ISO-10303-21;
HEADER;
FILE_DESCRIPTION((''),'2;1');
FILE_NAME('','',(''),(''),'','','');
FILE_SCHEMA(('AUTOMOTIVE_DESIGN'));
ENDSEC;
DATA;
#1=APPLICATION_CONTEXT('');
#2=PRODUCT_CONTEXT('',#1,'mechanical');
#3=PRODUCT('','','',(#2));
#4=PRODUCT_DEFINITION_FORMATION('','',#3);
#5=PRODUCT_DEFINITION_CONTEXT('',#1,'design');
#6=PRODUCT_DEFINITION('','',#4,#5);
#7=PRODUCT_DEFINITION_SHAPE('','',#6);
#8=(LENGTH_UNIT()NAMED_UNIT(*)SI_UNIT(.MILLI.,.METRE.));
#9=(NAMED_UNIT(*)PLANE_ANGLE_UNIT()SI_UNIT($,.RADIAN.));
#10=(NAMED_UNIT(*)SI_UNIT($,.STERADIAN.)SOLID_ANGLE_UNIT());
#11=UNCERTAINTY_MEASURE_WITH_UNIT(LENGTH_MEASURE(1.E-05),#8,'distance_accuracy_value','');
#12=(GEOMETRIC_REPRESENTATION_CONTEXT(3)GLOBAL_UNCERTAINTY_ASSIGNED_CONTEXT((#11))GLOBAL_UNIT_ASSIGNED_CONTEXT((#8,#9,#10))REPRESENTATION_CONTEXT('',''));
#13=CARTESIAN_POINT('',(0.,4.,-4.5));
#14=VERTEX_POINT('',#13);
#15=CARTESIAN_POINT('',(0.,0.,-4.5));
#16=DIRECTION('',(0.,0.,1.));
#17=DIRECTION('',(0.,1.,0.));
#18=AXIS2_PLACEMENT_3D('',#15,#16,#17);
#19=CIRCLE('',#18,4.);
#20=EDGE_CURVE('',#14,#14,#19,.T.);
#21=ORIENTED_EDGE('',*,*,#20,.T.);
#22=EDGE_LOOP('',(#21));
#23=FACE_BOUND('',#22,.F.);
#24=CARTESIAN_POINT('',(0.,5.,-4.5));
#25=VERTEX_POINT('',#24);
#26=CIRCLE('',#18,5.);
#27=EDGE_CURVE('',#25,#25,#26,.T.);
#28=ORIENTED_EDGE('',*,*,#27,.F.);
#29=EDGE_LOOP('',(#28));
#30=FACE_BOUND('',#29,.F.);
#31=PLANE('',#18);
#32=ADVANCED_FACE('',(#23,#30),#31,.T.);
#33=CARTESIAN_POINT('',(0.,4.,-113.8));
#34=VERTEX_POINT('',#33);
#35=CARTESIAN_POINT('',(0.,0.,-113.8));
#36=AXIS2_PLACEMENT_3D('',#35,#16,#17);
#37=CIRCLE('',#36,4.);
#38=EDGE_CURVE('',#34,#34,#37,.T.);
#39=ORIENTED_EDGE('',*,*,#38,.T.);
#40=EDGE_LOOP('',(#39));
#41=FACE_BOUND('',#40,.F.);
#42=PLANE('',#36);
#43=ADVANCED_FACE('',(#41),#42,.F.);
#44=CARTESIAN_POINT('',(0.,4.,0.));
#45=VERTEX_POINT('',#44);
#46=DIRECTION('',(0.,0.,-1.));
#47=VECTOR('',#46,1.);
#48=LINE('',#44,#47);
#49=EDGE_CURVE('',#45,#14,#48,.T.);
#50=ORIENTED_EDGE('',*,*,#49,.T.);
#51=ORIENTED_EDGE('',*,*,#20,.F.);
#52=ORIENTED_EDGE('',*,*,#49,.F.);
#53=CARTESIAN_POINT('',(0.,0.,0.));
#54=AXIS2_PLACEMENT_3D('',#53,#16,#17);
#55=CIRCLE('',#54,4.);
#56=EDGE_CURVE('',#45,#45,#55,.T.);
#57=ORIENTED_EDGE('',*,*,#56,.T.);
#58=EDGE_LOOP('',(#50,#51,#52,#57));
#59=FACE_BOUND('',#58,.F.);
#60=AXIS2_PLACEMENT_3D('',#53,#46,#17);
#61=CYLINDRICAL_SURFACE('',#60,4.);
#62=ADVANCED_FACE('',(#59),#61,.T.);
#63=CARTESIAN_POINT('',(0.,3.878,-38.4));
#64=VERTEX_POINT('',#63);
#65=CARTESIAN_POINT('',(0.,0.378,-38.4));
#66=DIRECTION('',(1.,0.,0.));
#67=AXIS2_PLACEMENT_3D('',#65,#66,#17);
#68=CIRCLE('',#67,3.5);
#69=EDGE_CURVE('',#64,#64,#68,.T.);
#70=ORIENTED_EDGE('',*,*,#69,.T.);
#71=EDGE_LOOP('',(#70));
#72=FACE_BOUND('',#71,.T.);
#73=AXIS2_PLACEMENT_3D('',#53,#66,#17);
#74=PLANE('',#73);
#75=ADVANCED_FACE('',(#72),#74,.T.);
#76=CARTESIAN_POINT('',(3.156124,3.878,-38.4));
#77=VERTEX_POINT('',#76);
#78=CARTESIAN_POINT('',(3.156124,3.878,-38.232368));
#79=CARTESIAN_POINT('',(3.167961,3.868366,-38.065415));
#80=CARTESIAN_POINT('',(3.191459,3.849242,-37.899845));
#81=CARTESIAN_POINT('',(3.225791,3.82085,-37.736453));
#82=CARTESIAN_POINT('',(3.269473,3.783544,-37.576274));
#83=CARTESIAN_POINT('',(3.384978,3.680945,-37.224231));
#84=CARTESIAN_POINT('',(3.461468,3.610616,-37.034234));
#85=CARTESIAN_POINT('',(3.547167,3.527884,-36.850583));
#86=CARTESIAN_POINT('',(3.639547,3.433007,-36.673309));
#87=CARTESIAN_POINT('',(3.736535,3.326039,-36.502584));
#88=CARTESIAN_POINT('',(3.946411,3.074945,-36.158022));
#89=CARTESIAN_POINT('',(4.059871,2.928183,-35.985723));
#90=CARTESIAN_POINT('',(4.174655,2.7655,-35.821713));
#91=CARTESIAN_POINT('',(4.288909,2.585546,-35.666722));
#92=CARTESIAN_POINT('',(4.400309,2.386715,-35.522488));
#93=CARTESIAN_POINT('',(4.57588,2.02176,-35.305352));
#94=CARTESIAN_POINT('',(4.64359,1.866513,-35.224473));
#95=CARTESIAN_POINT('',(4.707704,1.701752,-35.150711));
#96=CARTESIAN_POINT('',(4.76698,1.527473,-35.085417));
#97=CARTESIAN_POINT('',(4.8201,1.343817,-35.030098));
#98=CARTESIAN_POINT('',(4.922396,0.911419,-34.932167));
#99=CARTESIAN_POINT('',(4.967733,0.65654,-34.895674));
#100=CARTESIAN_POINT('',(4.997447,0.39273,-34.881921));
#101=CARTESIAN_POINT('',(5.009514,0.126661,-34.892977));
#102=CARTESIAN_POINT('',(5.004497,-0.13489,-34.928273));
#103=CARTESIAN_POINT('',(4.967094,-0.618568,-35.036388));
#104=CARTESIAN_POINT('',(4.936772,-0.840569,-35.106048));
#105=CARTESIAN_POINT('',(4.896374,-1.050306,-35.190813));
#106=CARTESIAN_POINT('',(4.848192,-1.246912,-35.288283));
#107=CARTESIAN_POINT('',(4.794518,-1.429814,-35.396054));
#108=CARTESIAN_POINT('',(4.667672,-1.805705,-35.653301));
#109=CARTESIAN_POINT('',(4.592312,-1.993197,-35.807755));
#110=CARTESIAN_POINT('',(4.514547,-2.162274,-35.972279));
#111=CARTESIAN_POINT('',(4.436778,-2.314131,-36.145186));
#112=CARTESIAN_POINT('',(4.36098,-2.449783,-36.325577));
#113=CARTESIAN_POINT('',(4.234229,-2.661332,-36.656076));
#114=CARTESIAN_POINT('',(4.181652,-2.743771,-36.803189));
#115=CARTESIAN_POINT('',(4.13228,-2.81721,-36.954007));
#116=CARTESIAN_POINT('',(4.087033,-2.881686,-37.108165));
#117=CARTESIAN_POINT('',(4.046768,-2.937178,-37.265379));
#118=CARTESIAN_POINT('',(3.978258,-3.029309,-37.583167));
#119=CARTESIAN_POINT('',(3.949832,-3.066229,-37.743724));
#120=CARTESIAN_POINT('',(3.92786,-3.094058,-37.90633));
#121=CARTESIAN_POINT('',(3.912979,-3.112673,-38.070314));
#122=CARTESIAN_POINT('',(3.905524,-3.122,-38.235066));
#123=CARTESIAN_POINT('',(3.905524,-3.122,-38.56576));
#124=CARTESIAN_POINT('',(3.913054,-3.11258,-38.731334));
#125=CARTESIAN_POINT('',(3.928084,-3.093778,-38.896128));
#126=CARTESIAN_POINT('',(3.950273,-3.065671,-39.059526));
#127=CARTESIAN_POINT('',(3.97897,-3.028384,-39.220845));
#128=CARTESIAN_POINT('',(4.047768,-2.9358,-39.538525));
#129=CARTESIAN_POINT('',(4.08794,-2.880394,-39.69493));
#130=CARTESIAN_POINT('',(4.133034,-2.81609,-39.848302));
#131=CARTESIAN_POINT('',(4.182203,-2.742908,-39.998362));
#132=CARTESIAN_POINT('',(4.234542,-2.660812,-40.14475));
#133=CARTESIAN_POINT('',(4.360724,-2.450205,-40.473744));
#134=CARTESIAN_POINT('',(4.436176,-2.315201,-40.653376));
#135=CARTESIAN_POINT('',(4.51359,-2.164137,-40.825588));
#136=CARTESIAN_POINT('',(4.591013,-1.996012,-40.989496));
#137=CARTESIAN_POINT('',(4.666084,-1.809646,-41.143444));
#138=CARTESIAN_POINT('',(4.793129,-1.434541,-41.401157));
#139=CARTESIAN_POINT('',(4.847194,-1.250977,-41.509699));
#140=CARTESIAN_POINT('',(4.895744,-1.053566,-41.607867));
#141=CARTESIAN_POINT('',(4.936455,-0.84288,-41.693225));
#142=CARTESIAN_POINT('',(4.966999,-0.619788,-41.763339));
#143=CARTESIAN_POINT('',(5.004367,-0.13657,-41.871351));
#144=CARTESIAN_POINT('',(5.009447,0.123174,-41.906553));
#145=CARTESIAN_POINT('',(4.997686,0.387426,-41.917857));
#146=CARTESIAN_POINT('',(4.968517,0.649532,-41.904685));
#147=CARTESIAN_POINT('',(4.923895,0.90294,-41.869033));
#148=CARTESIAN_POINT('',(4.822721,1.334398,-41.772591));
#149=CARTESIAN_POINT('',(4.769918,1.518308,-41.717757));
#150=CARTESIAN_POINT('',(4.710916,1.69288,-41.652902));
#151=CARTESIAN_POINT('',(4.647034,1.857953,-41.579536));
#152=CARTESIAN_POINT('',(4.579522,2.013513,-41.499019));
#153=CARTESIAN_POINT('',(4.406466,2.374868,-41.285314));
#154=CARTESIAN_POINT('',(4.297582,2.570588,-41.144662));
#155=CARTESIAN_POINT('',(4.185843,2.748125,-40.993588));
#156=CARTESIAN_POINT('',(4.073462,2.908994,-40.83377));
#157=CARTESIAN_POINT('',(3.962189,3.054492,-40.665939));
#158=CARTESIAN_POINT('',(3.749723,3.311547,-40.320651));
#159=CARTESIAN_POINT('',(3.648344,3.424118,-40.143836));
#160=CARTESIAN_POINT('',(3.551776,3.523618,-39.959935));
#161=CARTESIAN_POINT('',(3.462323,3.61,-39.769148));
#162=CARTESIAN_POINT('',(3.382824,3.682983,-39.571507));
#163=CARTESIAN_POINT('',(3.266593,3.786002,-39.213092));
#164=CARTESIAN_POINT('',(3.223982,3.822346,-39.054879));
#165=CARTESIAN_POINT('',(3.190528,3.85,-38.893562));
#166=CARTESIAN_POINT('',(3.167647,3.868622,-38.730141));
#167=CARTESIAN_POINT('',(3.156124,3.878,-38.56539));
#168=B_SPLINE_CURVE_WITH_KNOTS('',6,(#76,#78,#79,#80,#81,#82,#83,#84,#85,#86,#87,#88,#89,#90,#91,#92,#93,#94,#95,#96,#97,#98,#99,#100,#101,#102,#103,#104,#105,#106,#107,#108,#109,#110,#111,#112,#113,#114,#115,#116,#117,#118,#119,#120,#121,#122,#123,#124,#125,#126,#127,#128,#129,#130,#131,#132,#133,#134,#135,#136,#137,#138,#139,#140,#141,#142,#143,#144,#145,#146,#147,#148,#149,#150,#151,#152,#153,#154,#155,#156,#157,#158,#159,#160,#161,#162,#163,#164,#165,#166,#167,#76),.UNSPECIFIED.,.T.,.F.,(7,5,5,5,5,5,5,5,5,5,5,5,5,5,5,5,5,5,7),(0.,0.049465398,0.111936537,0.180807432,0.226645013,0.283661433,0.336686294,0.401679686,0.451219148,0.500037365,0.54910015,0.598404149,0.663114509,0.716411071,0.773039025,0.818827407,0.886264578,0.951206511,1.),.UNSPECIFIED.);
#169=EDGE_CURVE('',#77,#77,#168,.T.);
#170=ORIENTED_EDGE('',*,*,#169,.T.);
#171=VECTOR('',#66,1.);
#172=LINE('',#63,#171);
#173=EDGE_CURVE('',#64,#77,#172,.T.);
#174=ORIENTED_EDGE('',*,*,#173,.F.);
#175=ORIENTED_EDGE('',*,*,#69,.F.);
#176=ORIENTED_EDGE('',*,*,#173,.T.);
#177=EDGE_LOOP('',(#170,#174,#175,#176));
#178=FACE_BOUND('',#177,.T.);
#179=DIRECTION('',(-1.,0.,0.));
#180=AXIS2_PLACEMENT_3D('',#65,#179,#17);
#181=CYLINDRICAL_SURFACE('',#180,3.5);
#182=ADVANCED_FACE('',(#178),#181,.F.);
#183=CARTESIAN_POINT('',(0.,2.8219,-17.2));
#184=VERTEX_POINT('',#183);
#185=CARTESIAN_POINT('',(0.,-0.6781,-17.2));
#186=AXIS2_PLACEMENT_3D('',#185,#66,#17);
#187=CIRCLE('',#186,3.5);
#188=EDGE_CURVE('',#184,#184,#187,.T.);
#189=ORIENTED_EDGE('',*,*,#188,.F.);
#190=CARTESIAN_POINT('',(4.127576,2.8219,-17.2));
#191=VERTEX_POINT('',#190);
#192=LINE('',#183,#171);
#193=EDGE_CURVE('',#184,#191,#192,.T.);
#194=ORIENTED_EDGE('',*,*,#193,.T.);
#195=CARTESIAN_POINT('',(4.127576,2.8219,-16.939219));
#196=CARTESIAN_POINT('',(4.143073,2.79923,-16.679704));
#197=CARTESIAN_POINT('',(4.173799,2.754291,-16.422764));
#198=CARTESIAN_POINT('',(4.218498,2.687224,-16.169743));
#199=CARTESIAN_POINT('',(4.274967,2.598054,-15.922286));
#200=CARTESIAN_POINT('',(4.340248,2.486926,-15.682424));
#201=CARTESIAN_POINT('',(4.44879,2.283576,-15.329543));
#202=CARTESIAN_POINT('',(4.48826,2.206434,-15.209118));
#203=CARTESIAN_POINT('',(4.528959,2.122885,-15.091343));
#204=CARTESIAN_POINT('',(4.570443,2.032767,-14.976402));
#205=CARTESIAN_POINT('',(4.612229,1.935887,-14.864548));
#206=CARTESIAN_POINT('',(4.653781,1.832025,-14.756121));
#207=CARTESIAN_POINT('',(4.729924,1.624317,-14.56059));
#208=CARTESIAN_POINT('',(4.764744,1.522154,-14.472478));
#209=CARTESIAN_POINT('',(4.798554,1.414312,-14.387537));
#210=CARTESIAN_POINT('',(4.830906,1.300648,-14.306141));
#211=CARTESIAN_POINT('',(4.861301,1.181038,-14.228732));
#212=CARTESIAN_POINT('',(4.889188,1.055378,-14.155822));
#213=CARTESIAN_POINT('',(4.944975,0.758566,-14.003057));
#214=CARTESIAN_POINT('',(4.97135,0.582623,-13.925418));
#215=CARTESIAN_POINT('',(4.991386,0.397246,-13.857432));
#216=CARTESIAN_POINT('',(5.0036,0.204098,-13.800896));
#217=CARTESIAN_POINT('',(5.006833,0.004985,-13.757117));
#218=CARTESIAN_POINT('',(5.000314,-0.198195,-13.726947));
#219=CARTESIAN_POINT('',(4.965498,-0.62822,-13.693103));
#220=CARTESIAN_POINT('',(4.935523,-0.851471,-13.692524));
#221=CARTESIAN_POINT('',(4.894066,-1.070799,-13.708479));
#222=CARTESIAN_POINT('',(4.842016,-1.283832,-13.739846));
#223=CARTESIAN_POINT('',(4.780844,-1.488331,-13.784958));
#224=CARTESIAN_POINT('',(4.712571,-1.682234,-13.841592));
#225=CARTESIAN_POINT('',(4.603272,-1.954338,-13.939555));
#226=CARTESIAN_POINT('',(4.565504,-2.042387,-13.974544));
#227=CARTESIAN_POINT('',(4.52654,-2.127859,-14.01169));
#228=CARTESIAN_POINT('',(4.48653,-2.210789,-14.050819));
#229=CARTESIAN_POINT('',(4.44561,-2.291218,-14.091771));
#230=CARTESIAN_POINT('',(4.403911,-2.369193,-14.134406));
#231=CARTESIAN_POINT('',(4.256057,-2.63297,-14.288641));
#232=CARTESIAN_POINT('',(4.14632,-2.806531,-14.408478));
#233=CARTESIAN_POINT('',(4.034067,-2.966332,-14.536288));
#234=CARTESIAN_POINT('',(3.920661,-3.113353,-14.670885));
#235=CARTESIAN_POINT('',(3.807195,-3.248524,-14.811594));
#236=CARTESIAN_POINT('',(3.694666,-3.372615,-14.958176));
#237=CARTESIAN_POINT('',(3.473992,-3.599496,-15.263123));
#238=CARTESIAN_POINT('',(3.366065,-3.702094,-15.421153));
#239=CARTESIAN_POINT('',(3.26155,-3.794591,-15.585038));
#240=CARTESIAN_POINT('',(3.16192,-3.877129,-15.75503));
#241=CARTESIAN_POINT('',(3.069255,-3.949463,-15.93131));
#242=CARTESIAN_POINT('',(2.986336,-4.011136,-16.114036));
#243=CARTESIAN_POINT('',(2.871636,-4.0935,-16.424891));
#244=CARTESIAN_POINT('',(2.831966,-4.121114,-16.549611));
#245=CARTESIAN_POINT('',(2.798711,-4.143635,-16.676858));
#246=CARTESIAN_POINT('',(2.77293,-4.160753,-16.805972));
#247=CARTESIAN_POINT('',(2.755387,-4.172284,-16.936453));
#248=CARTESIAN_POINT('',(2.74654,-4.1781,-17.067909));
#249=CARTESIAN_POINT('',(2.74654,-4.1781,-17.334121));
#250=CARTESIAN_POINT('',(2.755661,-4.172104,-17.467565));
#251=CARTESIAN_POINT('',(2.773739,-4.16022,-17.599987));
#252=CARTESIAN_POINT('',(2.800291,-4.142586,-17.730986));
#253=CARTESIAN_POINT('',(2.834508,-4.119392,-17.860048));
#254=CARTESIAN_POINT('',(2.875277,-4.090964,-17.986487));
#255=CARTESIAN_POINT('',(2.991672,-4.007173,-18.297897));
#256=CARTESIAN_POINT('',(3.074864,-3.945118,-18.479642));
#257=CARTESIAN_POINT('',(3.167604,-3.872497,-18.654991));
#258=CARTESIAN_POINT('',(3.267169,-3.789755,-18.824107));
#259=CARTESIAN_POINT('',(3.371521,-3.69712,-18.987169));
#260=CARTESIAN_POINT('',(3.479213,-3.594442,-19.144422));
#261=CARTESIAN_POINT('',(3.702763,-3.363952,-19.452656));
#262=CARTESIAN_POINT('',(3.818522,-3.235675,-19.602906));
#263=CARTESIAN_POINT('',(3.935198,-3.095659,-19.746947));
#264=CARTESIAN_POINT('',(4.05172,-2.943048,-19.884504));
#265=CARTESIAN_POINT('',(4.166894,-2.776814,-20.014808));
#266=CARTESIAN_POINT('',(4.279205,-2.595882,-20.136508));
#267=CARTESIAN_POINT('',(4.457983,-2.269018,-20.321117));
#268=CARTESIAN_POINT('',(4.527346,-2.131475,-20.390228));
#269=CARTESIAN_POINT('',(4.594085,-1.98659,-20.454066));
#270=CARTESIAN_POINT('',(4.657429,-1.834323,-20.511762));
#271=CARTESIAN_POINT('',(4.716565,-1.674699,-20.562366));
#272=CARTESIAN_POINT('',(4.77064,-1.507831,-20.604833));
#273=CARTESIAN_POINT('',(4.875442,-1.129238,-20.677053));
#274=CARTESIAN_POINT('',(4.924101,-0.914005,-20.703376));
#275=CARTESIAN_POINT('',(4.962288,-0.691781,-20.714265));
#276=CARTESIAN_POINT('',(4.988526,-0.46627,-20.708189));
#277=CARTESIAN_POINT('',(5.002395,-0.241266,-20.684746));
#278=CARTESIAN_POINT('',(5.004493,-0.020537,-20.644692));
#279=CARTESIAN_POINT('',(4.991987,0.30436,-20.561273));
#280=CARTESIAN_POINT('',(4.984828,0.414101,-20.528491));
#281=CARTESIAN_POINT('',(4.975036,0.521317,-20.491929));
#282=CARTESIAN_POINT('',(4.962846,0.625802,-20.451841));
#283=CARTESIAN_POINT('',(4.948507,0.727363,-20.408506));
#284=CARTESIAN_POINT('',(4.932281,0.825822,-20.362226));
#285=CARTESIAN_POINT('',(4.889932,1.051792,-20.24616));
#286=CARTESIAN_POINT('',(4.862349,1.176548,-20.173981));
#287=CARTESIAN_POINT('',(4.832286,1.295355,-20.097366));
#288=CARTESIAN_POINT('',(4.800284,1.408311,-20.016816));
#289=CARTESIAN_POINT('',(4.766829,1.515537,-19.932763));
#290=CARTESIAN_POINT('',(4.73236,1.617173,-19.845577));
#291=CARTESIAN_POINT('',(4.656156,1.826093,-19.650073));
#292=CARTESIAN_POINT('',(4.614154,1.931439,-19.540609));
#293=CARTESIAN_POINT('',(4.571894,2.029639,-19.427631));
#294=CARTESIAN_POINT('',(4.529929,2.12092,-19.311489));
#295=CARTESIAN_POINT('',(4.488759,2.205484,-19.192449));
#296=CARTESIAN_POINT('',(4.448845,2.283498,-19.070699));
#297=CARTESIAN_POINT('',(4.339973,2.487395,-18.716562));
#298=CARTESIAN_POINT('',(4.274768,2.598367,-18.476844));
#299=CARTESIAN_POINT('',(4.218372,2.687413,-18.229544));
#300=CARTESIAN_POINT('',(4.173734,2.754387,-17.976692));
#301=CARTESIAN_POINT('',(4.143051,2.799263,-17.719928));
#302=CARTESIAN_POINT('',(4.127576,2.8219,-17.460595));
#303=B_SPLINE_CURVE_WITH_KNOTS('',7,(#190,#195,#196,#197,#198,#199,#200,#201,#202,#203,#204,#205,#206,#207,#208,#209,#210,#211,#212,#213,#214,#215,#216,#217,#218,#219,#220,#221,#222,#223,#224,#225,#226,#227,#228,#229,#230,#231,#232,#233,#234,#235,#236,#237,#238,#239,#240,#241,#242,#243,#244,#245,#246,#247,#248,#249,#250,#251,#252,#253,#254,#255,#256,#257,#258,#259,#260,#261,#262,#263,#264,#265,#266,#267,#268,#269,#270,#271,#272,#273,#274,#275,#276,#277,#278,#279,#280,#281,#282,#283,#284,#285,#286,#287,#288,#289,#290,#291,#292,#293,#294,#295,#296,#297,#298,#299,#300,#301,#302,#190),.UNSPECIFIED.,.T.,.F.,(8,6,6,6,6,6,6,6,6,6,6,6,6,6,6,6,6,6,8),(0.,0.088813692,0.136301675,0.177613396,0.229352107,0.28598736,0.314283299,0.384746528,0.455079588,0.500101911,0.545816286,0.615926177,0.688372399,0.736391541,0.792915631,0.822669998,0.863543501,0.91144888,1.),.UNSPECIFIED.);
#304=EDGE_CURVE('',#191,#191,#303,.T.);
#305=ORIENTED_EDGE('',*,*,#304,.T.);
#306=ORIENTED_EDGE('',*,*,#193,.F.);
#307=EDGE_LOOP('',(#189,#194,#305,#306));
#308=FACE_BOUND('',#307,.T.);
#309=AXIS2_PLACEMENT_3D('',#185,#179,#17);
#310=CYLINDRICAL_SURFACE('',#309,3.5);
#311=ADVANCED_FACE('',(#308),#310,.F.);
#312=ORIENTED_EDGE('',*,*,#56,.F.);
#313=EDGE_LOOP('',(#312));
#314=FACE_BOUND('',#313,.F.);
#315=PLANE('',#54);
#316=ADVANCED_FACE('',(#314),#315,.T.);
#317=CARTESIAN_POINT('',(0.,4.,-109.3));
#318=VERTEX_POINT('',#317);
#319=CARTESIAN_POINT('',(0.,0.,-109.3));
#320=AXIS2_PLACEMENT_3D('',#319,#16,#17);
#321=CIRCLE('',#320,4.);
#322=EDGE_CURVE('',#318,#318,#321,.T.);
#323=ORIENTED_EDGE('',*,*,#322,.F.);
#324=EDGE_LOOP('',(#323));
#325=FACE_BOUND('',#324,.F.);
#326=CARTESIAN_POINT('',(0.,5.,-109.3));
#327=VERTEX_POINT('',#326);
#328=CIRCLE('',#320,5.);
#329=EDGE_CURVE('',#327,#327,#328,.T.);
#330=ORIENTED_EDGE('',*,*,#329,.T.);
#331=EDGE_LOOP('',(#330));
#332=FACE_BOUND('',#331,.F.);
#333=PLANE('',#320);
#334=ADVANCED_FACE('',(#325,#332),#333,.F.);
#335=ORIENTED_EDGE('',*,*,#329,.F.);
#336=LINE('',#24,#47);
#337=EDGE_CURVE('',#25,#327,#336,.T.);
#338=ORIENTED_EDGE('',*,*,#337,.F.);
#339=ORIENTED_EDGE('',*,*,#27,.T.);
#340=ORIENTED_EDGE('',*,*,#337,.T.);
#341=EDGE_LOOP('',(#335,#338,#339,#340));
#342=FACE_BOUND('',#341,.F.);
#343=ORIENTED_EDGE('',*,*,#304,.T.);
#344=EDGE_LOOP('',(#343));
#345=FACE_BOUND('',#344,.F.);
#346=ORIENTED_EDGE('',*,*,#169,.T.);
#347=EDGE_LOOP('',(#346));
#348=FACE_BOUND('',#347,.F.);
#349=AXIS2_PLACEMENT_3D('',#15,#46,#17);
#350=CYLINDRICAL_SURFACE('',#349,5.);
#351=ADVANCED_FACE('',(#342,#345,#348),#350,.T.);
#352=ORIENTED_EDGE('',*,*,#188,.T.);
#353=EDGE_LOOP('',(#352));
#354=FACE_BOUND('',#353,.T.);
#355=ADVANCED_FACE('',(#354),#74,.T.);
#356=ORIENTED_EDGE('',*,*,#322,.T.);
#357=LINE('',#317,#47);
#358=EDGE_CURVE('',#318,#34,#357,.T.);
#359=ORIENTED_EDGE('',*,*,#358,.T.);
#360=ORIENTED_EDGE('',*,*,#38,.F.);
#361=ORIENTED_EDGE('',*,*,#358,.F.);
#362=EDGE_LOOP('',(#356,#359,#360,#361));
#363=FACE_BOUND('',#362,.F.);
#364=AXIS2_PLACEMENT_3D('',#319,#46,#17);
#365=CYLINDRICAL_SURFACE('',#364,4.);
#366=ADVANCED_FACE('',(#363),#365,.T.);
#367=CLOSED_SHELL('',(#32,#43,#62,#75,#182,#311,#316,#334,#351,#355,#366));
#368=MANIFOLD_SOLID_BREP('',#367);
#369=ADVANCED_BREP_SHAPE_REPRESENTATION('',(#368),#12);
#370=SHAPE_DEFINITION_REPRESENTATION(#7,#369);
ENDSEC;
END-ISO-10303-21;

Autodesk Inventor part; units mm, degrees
ref_plane "YZ Plane" through (0, 0, 0) normal (1, 0, 0) x (0, 1, 0)
ref_plane "XZ Plane" through (0, 0, 0) normal (0, 1, 0) x (-1, 0, 0)
ref_plane "XY Plane" through (0, 0, 0) normal (0, 0, 1) x (1, 0, 0)
sketch "Sketch1" plane through (0, 0, 0) normal (1, 0, 0) x (0, 1, 0)
  line L0 (0, 0) -> (4, 0)
  line L1 (4, 0) -> (4, -4.5)
  line L2 (4, -4.5) -> (5, -4.5)
  line L3 (5, -4.5) -> (5, -109.3)
  line L4 (5, -109.3) -> (4, -109.3)
  line L5 (4, -109.3) -> (4, -113.8)
  line L6 (4, -113.8) -> (0, -113.8)
  line L7 (0, -113.8) -> (0, 0)
  dimension "d0" = 4.5
  dimension "d1" = 113.8
  dimension "d2" = 5
  dimension "d3" = 4
  dimension "d4" = 4
  dimension "d5" = 4.5
revolve "Revolution1" add sketch "Sketch1" angle 360 about axis through (0, 0, -113.8) along (0, 0, 1)
sketch "Sketch2" plane through (0, 0, 0) normal (1, 0, 0) x (0, 1, 0)
  circle A0 centre (-0.6781, -17.2) radius 3.5
  line L0 (-4, 0) -> (4, 0) projected
  point P0 (0, 0)
  dimension "d7" = 7
  dimension "d8" = 17.2
extrude "Extrusion1" cut sketch "Sketch2" along normal through all
sketch "Sketch3" plane through (0, 0, 0) normal (1, 0, 0) x (0, 1, 0)
  circle A0 centre (0.378, -38.4) radius 3.5
  line L0 (-4, -113.8) -> (4, -113.8) projected
  point P0 (0, 0)
  dimension "d11" = 7
  dimension "d12" = 75.4
extrude "Extrusion2" cut sketch "Sketch3" along normal through all
equation "\"d5\" = d0"
properties part number "Mecanum Axle" material "Stainless Steel"
